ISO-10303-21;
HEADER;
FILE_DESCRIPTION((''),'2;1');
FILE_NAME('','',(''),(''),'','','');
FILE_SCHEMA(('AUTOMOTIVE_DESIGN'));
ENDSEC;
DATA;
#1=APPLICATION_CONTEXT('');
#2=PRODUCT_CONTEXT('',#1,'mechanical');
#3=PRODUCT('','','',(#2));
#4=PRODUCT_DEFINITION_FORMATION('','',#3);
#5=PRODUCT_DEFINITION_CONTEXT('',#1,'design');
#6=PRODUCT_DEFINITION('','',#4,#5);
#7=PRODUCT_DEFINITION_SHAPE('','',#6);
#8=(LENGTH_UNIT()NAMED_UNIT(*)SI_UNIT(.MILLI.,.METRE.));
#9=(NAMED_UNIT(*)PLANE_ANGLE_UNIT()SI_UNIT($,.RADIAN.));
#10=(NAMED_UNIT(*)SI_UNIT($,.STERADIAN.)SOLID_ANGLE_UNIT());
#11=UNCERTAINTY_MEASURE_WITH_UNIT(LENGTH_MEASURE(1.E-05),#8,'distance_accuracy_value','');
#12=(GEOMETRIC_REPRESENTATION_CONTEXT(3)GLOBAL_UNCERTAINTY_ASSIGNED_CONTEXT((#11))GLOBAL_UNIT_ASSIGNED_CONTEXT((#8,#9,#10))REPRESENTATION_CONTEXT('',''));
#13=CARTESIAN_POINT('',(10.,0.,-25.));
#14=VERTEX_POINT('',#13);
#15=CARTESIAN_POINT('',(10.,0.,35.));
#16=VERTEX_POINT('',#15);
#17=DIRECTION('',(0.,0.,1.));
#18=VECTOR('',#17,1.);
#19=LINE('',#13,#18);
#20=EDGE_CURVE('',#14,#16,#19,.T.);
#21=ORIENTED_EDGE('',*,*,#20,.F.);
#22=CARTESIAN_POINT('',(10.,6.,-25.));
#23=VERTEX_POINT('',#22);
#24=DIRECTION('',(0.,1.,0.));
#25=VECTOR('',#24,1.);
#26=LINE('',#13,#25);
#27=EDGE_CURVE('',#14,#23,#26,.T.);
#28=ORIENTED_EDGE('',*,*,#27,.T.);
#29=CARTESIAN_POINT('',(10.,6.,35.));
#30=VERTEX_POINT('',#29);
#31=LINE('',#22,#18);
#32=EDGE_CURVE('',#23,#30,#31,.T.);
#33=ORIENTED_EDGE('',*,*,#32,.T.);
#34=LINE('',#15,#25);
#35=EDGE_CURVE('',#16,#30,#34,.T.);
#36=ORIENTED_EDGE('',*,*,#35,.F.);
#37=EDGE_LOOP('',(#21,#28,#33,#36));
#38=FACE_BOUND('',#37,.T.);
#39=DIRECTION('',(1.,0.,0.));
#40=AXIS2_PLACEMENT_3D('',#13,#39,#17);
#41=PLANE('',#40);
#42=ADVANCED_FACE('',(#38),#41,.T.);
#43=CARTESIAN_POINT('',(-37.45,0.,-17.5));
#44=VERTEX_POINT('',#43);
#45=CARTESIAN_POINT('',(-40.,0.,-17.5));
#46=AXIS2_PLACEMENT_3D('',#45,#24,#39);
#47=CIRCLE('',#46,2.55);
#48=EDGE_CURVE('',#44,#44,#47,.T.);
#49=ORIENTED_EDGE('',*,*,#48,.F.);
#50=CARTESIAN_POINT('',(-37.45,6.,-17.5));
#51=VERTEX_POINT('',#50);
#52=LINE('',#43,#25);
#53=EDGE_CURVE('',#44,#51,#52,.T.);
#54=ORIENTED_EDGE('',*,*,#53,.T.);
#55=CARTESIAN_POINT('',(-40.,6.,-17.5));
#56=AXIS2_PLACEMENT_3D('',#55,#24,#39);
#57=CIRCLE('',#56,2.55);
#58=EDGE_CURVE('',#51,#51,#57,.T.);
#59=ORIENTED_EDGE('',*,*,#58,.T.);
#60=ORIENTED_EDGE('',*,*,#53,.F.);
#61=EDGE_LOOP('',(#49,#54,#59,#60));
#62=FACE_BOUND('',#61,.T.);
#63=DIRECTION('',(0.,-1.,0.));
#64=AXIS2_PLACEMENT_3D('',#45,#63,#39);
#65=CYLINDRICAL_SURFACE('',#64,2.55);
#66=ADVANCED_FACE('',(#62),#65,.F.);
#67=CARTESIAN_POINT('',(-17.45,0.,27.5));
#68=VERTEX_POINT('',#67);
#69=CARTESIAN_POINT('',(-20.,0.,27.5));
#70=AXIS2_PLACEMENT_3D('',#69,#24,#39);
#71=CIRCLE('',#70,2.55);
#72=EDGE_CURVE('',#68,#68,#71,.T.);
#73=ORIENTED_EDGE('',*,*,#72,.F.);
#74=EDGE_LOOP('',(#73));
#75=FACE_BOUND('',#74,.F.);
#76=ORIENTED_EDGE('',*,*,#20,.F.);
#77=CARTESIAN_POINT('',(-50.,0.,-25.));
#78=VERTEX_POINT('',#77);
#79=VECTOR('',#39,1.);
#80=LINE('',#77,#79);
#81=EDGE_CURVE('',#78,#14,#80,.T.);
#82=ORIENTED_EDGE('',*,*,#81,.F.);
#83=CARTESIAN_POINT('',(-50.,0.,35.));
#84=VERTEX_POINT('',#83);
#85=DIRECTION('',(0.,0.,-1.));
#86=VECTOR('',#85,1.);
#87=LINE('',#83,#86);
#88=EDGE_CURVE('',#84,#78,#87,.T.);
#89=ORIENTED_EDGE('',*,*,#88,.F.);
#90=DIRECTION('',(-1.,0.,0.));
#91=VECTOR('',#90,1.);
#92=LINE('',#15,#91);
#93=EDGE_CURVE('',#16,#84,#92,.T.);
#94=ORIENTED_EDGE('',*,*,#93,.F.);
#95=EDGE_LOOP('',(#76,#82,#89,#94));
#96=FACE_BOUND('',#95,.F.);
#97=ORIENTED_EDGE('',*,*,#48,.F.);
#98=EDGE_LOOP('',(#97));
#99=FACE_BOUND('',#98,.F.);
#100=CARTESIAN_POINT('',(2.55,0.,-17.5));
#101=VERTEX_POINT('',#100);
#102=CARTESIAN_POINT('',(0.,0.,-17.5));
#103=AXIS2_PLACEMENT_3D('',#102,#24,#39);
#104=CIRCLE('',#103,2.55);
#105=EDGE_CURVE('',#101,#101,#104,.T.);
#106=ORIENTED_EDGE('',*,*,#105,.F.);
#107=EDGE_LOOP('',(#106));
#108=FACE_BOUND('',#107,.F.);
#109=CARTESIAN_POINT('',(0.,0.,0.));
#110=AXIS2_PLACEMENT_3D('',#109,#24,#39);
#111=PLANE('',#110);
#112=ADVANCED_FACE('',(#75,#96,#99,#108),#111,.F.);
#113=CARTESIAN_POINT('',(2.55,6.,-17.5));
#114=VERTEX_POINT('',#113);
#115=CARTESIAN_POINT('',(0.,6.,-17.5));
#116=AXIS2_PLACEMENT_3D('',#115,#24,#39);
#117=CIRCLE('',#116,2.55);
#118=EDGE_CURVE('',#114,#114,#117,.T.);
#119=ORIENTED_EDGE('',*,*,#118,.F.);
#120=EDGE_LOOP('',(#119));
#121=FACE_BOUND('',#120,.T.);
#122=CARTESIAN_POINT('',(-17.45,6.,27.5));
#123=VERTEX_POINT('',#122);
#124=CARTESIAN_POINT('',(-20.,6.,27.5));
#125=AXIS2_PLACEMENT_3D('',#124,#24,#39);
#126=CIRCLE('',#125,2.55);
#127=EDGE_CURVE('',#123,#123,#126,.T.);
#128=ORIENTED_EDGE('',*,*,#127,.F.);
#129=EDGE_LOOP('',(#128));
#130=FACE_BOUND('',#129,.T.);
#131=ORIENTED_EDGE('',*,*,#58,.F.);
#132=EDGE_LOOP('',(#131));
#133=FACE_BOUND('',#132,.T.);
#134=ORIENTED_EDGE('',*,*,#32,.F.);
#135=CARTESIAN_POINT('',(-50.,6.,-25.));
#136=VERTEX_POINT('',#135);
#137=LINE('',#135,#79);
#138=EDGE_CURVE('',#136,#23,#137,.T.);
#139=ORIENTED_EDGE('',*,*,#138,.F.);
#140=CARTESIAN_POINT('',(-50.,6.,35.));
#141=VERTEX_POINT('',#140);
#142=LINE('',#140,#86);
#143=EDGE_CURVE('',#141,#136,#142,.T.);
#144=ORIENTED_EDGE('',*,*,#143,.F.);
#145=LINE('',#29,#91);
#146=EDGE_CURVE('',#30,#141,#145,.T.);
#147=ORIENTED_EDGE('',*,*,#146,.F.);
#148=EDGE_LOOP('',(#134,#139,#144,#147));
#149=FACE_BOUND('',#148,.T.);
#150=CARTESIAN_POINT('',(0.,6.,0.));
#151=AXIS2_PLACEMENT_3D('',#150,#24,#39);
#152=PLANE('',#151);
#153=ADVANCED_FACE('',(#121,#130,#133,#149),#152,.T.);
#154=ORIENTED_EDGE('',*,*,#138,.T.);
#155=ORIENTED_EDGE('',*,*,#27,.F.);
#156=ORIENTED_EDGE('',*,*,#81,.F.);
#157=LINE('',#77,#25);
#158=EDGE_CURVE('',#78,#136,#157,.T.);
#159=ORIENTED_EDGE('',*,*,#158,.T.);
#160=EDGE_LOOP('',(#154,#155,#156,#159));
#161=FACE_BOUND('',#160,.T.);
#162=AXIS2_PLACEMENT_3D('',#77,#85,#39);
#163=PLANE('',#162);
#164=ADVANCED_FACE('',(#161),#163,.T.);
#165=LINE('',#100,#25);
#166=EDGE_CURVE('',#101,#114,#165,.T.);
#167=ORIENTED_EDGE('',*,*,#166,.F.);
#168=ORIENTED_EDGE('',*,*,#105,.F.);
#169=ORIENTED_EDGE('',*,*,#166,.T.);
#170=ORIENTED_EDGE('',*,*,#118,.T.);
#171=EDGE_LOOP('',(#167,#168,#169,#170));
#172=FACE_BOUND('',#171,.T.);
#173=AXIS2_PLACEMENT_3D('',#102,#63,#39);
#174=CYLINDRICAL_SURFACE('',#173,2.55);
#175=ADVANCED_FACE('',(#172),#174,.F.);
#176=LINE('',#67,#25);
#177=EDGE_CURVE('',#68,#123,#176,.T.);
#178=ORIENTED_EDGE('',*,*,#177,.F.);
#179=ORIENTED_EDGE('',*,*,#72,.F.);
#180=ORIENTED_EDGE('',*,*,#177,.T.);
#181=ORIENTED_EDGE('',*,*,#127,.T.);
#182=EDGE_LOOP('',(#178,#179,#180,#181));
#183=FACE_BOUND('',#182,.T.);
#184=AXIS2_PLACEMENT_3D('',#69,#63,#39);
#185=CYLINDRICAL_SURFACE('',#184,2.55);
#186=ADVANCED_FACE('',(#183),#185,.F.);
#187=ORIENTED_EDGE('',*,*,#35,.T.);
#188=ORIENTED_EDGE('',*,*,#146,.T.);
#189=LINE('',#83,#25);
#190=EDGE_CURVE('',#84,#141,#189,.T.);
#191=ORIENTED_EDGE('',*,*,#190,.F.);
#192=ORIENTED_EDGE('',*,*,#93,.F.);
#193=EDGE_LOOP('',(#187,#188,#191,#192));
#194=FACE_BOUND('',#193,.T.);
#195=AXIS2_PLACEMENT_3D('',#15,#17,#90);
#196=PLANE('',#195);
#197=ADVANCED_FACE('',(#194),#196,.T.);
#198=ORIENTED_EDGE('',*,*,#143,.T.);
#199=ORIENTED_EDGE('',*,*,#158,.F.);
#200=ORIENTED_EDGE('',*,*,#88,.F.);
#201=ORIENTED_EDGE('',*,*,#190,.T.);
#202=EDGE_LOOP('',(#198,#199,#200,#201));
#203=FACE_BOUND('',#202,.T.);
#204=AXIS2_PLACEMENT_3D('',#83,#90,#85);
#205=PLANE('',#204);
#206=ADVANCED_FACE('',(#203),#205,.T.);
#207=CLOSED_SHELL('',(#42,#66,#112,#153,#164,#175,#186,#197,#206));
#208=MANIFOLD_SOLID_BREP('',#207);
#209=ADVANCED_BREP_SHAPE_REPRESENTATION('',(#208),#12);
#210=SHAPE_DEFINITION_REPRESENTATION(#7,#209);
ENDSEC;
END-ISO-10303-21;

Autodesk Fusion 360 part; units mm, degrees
sketch "Sketch1" plane through (0, 0, 0) normal (0, 1, 0) x (1, 0, 0)
  line L0 (-50, 25) -> (10, 25)
  line L1 (10, 25) -> (10, -35)
  line L2 (10, -35) -> (-50, -35)
  line L3 (-50, -35) -> (-50, 25)
  line L4 (-20, -50) -> (-20, 45) construction
  line L5 (30, -5) -> (-85, -5) construction
  line L6 (-85, 17.5) -> (30, 17.5) construction
  line L7 (-85, -27.5) -> (30, -27.5) construction
  circle A0 centre (-40, 17.5) radius 2.55
  circle A1 centre (0, 17.5) radius 2.55
  circle A2 centre (-20, -27.5) radius 2.55
  dimension "d1" = 60
  dimension "d2" = 60
  dimension "d3" = 22.5
  dimension "d4" = 5.1
  dimension "d5" = 5.1
extrude "Extrude1" add sketch "Sketch1" along normal blind 6
sketch "Sketch3" plane through (0, 6, 0) normal (0, 1, 0) x (-1, 0, 0)
  circle A0 centre (40, -17.5) radius 2.55
  circle A1 centre (20, 27.5) radius 2.55
  circle A2 centre (0, -17.5) radius 2.55
  line L0 (50, 35) -> (-10, 35)
  line L1 (-10, 35) -> (-10, -25)
  line L2 (-10, -25) -> (50, -25)
  line L3 (50, -25) -> (50, 35)
equation "d3 = separation / 2"
equation "d4 = hole_01"
equation "d5 = hole_01"
equation "separation = 45 mm"
equation "hole_01 = 5.1 mm"
